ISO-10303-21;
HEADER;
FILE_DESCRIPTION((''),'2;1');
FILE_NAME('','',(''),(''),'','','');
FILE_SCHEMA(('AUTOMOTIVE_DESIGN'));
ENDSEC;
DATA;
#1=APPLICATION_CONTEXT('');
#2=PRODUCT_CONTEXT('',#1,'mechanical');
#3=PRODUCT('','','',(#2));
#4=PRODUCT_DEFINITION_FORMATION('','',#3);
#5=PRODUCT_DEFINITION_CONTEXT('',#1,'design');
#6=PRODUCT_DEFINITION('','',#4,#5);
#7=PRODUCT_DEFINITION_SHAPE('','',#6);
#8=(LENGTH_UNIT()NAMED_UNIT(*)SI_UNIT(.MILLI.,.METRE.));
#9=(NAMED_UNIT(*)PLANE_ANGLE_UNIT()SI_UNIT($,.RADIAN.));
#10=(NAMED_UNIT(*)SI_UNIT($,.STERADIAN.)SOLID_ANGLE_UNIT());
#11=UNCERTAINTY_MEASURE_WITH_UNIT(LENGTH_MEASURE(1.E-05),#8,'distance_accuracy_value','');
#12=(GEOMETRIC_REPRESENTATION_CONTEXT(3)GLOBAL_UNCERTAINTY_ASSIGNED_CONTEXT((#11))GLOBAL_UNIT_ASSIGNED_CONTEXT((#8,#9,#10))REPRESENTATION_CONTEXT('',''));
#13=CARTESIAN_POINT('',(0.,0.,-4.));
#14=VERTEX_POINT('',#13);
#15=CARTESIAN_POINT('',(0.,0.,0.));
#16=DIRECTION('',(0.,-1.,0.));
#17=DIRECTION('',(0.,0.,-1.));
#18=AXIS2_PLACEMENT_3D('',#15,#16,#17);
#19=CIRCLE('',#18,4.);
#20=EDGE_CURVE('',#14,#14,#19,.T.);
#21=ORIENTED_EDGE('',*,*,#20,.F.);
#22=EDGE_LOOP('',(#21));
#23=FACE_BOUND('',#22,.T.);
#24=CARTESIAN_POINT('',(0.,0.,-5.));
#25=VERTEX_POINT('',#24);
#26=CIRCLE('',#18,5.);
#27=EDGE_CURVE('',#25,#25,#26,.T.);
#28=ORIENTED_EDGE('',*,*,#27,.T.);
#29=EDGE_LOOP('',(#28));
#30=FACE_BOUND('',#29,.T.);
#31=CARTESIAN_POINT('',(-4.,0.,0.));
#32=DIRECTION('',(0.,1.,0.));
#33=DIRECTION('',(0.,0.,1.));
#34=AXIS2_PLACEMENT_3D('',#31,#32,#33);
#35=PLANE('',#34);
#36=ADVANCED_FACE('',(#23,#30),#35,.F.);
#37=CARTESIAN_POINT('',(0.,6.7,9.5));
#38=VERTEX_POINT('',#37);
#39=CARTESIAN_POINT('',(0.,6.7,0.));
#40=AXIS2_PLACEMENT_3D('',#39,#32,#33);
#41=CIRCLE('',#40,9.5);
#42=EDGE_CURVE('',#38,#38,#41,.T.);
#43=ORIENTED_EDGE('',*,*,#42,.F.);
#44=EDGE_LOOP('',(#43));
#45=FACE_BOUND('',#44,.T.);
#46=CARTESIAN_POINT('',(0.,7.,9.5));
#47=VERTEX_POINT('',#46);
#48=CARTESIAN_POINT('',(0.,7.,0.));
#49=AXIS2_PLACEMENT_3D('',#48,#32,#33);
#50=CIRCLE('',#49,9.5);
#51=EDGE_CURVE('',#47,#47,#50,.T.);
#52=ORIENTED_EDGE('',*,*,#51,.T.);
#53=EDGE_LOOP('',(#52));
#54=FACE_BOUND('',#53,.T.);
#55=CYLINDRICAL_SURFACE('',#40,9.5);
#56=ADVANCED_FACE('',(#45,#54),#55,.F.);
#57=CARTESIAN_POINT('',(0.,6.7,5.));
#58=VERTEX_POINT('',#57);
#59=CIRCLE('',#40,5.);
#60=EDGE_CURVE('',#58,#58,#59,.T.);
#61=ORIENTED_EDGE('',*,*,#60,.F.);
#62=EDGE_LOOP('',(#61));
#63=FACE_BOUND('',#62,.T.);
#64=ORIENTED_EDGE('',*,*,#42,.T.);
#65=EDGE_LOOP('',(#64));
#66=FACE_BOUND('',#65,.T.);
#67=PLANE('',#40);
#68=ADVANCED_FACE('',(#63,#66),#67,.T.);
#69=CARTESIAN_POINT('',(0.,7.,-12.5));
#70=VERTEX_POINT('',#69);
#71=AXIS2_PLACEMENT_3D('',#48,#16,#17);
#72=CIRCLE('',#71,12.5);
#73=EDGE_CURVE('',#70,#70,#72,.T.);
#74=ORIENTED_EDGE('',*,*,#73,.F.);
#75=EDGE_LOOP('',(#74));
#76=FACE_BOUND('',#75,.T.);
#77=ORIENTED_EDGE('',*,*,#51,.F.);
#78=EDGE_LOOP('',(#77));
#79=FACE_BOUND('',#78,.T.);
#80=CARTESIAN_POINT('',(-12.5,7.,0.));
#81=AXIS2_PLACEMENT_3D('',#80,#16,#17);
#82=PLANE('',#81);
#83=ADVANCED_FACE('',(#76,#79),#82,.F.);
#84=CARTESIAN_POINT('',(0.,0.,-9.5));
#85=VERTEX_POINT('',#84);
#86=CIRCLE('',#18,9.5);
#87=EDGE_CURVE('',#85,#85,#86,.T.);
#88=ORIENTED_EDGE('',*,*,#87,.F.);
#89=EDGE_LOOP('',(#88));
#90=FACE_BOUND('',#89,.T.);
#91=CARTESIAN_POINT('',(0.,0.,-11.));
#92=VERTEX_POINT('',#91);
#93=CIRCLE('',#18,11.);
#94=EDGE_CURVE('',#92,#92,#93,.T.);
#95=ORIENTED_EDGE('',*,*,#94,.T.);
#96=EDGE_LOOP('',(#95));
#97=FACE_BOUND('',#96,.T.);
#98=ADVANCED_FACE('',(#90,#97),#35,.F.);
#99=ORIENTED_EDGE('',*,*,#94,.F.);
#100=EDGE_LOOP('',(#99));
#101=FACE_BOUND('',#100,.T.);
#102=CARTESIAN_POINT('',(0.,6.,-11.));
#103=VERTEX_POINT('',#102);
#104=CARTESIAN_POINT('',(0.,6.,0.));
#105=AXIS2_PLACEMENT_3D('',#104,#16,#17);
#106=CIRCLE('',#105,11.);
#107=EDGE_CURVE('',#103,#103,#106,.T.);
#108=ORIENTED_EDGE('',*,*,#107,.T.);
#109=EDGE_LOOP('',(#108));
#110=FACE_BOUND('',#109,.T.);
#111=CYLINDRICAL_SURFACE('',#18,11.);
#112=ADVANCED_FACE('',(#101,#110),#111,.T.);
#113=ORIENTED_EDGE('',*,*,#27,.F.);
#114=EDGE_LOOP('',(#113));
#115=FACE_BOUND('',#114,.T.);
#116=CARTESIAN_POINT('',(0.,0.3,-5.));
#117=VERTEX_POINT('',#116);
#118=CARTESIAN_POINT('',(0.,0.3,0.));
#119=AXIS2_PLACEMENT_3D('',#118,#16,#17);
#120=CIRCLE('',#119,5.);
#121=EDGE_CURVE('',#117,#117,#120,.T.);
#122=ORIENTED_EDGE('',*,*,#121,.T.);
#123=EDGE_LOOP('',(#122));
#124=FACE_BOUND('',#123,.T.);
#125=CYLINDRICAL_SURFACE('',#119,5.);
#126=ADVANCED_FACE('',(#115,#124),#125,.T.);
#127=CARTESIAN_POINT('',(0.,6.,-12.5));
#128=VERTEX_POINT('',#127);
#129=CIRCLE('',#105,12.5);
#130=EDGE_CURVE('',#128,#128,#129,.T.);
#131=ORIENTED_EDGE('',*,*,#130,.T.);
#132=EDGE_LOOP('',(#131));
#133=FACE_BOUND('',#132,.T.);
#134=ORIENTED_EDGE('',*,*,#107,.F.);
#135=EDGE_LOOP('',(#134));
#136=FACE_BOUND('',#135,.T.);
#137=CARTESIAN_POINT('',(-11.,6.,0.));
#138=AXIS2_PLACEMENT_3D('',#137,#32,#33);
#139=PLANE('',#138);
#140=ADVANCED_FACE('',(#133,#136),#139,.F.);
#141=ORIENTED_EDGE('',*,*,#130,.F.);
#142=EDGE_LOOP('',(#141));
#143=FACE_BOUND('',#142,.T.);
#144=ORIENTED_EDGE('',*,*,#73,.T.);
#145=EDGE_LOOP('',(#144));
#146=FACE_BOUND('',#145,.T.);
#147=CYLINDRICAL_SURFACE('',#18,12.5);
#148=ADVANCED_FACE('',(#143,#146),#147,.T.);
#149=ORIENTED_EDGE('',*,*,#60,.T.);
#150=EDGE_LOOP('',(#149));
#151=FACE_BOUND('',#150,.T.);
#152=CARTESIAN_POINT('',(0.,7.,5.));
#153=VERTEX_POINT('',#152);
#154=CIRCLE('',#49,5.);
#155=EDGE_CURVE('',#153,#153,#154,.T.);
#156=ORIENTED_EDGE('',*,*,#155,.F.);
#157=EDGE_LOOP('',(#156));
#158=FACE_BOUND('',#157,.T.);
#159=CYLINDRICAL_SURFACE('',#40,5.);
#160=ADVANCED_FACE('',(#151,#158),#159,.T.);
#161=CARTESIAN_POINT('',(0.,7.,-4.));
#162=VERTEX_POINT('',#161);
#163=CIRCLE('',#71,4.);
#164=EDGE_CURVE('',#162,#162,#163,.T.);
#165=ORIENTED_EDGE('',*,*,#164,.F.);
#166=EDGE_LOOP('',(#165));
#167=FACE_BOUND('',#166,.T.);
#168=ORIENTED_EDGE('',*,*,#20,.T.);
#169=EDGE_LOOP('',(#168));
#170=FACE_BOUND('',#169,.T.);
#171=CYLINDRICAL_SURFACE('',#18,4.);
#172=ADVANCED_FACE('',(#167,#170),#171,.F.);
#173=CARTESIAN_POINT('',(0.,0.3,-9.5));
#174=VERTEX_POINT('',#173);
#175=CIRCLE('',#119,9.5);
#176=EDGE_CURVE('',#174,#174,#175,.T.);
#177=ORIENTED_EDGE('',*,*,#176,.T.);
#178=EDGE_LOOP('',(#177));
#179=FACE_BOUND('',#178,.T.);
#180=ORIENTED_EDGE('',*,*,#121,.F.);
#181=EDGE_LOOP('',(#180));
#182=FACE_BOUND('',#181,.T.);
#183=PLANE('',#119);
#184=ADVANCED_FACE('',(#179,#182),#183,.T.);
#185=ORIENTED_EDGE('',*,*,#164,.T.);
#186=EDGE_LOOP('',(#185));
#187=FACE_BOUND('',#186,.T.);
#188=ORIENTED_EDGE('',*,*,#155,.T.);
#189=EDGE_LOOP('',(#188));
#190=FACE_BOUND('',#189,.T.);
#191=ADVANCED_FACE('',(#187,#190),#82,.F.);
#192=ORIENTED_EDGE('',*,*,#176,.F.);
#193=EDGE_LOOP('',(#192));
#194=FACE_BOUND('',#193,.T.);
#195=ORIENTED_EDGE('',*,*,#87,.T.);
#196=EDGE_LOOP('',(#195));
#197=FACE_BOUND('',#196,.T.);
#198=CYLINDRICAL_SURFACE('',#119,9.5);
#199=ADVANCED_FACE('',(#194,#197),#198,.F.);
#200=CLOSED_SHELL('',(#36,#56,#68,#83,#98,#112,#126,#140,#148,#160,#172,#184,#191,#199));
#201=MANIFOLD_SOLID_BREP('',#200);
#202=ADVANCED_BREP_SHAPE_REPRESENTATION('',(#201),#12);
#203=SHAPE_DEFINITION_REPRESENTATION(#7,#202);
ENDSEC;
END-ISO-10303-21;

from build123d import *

# Parameters (mm, degrees)
SKETCH2_R          = 9.5
SKETCH2_R_2        = 5
CUT_EXTRUDE1_DEPTH = 0.3
CUT_EXTRUDE2_START = -0.3
SKETCH3_R          = 9.5
SKETCH3_R_2        = 5
CUT_EXTRUDE2_DEPTH = 0.3


with BuildPart() as part:
    # Sketch1 → Revolve1 (revolve)
    with BuildSketch(Plane.XY, mode=Mode.PRIVATE) as revolve1_sk:
        Polygon((-12.5, 7), (-4, 7), (-4, 0), (-11, 0), (-11, 6), (-12.5, 6), align=None)
    revolve(revolve1_sk.sketch.rotate(Axis((0, 0, 0), (0, 1, 0)), 270), axis=Axis((0, 0, 0), (0, 1, 0)))

    # Sketch2 → Cut-Extrude1 (cut)
    with BuildSketch(Plane(origin=(0, 7, 0), x_dir=(1, 0, 0), z_dir=(0, 1, 0))):
        with Locations(Location((0, 0, 0), (0, 0, 270))):
            Circle(SKETCH2_R)
        with Locations(Location((0, 0, 0), (0, 0, 270))):
            Circle(SKETCH2_R_2, mode=Mode.SUBTRACT)
    extrude(amount=-CUT_EXTRUDE1_DEPTH, mode=Mode.SUBTRACT)

    # Sketch3 → Cut-Extrude2 (cut)
    with BuildSketch(Plane.XZ.offset(CUT_EXTRUDE2_START)):
        with Locations(Location((0, 0, 0), (0, 0, 90))):
            Circle(SKETCH3_R)
        with Locations(Location((0, 0, 0), (0, 0, 90))):
            Circle(SKETCH3_R_2, mode=Mode.SUBTRACT)
    extrude(amount=CUT_EXTRUDE2_DEPTH, mode=Mode.SUBTRACT)


solid = part.part
